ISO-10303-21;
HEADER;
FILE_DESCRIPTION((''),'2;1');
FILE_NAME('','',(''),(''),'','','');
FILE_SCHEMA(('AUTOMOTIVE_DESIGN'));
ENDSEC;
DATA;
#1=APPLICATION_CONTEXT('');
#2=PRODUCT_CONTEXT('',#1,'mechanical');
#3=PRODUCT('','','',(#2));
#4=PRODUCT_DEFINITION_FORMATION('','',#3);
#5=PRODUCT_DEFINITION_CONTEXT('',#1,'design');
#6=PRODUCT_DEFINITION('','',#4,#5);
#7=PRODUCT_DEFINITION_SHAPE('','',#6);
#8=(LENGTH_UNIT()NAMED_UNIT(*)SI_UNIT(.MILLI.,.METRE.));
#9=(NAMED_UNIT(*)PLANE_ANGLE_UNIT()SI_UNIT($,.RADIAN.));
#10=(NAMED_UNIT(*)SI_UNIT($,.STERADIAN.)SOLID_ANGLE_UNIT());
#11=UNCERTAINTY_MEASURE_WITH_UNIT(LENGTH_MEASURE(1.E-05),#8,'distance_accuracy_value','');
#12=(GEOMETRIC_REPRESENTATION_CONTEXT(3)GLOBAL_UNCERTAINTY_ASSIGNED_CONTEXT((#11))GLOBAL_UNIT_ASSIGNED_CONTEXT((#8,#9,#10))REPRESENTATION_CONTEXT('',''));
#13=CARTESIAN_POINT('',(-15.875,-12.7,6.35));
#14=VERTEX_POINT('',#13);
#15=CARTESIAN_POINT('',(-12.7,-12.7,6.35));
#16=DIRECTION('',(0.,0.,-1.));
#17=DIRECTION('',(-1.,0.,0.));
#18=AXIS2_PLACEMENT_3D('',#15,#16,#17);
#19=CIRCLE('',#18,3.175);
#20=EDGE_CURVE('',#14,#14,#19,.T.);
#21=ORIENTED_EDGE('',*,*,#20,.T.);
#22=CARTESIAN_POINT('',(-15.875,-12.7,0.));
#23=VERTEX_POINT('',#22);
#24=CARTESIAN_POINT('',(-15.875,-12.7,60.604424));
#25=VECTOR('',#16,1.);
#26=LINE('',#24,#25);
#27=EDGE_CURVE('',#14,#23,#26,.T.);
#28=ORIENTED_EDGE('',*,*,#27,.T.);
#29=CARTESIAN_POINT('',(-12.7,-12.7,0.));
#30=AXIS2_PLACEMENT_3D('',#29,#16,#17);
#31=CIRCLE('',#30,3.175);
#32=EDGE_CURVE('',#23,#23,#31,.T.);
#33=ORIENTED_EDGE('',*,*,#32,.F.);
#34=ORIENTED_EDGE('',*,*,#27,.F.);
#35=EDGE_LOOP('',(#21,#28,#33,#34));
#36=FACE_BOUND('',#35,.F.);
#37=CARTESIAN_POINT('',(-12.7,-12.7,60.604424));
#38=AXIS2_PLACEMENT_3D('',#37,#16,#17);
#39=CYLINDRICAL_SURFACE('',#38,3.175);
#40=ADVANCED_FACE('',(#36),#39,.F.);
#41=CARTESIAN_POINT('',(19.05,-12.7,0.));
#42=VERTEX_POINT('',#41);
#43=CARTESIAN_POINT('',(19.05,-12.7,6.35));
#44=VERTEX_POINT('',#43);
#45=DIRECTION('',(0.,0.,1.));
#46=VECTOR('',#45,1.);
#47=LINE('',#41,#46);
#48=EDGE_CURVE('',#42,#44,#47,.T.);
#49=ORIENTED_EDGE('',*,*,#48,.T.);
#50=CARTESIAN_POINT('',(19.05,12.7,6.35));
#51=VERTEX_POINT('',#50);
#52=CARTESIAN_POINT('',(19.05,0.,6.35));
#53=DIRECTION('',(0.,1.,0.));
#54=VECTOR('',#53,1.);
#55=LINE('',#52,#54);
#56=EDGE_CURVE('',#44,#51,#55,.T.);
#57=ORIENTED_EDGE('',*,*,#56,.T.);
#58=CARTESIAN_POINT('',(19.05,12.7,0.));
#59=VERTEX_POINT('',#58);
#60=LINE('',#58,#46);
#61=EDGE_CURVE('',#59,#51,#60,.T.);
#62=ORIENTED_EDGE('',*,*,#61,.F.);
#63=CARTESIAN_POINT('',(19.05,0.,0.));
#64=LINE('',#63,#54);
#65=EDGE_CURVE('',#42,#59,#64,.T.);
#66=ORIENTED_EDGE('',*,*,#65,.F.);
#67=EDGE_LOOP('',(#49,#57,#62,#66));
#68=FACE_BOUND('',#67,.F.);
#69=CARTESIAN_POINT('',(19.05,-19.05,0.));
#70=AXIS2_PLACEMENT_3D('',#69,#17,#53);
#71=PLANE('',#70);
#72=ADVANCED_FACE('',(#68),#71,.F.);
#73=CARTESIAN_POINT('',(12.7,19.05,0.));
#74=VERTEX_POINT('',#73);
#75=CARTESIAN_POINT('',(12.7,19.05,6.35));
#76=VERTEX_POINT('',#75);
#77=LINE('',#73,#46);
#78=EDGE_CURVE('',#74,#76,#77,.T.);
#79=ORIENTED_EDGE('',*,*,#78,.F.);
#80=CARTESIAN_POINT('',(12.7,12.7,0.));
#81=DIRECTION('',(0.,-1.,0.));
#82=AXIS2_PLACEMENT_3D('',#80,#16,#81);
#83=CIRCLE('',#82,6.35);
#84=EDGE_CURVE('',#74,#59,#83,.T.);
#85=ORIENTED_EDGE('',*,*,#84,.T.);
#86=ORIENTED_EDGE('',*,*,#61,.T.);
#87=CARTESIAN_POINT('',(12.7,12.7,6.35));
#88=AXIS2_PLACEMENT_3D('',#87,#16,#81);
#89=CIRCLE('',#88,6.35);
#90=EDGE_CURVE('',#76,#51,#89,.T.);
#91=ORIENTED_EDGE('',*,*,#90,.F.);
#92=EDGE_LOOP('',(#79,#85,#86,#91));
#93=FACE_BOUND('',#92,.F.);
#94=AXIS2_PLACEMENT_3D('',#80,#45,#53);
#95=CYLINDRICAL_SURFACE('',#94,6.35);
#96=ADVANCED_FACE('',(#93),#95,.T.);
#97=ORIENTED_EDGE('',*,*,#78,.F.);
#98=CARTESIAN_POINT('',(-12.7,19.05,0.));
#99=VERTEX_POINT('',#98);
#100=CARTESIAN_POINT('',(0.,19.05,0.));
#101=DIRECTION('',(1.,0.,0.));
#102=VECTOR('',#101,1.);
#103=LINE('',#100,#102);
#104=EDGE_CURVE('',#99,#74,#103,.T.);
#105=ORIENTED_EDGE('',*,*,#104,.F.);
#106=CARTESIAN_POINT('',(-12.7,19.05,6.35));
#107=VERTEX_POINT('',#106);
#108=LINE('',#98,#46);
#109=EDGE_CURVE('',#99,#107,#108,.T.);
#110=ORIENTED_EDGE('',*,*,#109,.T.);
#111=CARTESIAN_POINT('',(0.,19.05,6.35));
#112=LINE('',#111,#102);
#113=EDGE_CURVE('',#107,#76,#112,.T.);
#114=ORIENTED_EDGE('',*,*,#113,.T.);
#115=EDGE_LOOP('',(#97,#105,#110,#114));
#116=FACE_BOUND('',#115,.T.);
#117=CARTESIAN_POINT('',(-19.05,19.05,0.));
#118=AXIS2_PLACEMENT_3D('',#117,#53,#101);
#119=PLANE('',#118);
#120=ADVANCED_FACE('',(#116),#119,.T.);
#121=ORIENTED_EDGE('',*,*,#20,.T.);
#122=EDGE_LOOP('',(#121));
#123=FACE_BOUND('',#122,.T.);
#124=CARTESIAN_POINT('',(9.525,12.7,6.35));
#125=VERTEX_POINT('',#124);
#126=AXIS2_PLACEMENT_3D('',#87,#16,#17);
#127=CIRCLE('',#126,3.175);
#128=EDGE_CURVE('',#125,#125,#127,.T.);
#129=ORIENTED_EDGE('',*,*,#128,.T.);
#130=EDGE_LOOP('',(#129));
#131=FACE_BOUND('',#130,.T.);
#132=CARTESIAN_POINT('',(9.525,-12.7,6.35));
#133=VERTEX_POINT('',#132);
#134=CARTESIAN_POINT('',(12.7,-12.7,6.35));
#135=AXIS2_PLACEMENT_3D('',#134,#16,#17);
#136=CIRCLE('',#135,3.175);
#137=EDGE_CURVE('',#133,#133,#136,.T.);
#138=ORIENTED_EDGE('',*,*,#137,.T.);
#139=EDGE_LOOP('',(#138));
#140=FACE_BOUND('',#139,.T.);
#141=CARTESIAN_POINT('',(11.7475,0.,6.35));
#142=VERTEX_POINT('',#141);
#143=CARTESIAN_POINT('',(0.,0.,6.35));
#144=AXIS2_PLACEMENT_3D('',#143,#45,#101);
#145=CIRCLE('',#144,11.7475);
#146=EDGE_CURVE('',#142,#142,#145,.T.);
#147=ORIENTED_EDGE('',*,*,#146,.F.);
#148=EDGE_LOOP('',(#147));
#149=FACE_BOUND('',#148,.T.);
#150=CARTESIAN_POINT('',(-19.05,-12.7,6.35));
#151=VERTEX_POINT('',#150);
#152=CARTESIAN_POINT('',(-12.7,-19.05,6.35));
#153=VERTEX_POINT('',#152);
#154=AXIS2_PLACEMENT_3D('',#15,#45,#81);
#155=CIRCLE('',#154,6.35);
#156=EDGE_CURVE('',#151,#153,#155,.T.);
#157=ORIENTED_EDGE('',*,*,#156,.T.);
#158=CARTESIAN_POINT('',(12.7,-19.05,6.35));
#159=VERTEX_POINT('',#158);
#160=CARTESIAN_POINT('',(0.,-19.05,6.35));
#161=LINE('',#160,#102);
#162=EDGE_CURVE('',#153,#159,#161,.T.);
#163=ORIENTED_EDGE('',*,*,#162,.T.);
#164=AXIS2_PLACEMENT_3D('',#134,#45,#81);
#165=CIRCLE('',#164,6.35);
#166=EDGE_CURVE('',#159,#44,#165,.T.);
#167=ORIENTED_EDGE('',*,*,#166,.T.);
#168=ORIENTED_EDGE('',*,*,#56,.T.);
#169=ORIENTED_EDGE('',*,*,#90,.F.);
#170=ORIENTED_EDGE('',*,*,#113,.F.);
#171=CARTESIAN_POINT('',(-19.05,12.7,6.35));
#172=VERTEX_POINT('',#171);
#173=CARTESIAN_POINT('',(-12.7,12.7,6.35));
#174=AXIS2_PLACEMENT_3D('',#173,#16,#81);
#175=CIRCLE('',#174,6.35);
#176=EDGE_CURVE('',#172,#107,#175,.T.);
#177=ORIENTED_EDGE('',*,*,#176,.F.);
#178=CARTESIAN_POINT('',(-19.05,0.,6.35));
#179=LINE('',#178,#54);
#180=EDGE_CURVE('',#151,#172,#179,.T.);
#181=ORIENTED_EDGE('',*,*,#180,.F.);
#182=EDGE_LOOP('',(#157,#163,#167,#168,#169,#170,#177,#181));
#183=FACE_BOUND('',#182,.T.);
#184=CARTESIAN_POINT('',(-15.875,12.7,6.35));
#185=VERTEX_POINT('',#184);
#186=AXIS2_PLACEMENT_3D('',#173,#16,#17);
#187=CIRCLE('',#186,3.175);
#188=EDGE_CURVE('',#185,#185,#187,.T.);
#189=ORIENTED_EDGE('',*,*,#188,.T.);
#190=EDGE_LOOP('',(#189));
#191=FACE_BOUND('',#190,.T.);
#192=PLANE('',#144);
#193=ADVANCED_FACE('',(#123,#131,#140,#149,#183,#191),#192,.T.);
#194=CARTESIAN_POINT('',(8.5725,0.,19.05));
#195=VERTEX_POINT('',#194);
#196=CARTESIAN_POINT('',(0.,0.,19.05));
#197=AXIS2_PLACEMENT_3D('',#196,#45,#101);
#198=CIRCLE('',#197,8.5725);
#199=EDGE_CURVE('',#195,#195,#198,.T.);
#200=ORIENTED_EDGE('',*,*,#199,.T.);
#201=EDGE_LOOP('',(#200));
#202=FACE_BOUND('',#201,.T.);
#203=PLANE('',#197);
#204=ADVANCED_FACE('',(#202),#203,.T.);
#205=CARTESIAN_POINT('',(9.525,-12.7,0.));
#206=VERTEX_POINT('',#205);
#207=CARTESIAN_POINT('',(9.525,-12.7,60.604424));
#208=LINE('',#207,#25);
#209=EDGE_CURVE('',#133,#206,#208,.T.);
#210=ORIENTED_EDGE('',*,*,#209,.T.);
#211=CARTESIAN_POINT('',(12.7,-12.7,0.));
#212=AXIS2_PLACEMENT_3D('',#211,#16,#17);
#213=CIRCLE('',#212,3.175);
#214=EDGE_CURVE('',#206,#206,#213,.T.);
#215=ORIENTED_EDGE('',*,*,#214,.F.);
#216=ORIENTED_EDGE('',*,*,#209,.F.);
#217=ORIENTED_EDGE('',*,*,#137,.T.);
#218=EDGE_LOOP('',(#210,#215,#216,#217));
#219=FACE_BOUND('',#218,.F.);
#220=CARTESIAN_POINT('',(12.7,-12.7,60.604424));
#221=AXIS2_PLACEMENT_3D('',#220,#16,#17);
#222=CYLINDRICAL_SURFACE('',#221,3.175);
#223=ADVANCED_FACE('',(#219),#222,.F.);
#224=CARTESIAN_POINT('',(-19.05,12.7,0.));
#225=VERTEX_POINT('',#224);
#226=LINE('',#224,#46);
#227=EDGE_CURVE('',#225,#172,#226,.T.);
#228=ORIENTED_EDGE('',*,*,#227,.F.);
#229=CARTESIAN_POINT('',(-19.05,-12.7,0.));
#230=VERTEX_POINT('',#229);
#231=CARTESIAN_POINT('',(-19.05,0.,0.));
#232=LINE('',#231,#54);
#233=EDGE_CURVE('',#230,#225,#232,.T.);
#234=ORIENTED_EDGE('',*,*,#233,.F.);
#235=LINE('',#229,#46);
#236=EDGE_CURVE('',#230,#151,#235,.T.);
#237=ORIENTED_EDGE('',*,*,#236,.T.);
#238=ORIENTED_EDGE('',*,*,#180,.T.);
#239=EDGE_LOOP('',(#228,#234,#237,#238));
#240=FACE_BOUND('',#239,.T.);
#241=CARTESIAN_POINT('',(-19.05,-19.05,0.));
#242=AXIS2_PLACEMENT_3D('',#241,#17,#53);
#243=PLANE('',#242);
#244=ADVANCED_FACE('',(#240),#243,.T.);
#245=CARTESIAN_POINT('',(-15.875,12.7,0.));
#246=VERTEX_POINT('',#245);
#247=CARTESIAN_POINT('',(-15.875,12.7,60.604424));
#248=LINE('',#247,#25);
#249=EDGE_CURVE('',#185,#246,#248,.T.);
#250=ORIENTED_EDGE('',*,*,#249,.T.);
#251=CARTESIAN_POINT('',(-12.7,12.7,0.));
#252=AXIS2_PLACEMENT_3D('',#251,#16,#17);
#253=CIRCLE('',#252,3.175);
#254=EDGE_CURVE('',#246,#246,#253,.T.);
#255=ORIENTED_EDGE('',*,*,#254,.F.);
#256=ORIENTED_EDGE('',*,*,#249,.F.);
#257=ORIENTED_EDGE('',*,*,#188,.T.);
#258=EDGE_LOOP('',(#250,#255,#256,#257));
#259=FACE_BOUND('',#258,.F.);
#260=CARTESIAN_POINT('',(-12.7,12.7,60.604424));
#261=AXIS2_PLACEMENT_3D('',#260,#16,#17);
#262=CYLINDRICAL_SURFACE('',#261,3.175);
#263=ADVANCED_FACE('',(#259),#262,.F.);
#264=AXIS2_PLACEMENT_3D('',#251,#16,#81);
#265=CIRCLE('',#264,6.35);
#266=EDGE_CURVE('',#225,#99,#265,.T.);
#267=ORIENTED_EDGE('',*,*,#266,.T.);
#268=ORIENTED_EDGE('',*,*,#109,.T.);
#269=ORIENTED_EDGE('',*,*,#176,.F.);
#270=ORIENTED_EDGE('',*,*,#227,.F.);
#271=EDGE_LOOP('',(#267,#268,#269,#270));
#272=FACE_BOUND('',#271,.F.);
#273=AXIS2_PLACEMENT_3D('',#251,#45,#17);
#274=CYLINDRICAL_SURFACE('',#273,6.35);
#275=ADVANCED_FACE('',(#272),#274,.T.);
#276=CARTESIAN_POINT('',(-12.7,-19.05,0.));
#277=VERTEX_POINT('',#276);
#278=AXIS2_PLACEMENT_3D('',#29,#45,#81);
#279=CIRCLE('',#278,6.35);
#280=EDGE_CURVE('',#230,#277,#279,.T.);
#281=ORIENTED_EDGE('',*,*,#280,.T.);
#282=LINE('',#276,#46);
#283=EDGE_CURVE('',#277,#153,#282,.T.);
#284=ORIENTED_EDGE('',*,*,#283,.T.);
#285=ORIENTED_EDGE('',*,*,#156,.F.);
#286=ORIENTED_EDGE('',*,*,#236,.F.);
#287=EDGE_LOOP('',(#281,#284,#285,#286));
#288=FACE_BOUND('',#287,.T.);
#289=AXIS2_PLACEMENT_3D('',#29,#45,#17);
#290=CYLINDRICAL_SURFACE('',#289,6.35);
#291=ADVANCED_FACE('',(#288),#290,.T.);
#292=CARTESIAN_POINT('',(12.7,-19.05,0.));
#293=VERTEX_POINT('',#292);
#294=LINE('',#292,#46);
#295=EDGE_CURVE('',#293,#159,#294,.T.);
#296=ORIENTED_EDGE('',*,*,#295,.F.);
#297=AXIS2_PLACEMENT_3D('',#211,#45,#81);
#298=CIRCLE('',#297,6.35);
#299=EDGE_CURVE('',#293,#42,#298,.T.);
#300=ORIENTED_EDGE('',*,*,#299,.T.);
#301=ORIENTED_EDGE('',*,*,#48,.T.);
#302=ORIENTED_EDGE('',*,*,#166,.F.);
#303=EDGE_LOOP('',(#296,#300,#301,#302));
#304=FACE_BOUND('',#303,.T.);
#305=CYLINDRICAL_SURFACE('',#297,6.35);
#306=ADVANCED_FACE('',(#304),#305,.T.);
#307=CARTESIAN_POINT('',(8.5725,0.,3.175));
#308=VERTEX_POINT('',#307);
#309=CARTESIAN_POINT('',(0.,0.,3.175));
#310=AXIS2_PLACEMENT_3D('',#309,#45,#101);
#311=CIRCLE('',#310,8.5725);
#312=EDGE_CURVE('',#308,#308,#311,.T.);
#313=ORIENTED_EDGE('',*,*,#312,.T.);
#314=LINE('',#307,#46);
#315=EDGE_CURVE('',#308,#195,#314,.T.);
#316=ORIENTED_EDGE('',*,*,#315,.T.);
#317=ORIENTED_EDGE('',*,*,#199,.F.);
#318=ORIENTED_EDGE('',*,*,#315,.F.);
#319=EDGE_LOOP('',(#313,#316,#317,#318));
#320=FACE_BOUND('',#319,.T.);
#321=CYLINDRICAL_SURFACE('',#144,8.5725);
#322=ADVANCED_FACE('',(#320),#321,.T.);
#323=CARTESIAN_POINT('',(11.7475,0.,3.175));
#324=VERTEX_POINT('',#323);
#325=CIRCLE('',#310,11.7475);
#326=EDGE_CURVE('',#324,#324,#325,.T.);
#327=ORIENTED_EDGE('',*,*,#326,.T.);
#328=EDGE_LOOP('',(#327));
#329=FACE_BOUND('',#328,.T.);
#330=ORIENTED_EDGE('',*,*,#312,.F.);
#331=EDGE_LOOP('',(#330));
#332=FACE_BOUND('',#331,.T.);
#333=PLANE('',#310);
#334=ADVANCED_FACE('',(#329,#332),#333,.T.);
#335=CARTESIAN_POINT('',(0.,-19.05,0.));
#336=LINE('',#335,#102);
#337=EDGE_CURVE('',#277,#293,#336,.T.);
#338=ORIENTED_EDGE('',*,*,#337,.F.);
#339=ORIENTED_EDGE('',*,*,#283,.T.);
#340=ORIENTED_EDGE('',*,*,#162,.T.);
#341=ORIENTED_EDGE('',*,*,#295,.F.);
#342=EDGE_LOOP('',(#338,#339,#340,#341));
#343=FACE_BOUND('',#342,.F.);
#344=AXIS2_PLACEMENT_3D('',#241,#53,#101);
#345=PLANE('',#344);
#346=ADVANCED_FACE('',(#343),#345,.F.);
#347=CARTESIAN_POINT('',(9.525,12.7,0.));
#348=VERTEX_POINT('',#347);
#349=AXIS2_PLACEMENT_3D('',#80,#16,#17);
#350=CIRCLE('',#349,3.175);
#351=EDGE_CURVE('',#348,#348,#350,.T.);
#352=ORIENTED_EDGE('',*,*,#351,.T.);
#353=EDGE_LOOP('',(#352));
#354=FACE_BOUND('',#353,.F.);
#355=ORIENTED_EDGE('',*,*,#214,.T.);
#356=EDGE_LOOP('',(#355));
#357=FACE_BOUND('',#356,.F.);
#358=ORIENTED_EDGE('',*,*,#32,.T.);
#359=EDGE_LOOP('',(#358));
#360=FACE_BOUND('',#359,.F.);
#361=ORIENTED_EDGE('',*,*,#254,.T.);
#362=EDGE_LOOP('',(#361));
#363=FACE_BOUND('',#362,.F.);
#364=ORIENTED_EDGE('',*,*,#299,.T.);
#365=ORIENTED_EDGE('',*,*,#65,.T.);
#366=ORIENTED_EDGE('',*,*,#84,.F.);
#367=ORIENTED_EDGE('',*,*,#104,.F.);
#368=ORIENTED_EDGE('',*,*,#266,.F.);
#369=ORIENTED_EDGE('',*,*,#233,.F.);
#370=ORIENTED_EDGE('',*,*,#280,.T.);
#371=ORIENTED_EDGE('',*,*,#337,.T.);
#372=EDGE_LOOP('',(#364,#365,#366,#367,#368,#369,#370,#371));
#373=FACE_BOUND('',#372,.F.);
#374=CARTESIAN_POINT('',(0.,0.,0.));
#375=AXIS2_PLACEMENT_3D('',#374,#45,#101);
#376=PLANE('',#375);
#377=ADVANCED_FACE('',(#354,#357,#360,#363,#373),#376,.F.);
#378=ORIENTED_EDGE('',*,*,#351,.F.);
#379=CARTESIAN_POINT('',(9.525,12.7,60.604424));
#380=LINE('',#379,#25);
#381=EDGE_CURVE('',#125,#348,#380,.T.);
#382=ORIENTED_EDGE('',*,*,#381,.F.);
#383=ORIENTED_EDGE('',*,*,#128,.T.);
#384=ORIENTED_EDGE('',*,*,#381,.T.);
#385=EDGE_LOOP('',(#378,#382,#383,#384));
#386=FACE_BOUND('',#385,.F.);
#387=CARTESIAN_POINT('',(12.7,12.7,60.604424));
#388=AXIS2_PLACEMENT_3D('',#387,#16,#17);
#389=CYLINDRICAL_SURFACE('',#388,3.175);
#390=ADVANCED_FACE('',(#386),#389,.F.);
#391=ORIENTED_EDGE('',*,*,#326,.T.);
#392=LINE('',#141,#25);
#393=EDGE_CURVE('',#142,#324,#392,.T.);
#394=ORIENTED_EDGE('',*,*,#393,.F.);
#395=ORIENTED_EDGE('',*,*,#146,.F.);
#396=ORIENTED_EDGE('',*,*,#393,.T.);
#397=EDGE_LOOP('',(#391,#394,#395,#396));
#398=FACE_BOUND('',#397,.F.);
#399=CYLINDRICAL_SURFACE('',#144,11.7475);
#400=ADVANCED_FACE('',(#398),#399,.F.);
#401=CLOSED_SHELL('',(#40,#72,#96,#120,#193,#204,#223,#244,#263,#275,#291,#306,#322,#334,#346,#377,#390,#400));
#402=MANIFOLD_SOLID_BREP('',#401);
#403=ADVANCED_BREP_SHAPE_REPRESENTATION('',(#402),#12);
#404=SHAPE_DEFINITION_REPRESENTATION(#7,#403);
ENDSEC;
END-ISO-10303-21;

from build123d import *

# Parameters (mm, degrees)
F0_W     = 38.1
F0_H     = 38.1
F1_DEPTH = 6.35
F3_D     = 6.35
F4_R     = 6.35
F5_R     = 8.5725
F6_DEPTH = 12.7
F7_R     = 11.7475
F7_R_2   = 8.5725
F8_DEPTH = 3.175


with BuildPart() as f1:
    # F0 (on Top) → F1 (new body)
    with BuildSketch(Plane.XY):
        Rectangle(F0_W, F0_H)
    extrude(amount=F1_DEPTH)

    # F3 (through all)
    with Locations(Plane.XY.offset(6.35)):
        with Locations((-12.7, 12.7), (-12.7, -12.7), (12.7, -12.7), (12.7, 12.7)):
            Hole(F3_D / 2)

    # F4
    f4_edges = [f1.edges().sort_by_distance(p)[0] for p in [
        (-19.05, -19.05, 3.175),
        (19.05, -19.05, 3.175),
        (19.05, 19.05, 3.175),
        (-19.05, 19.05, 3.175),
    ]]
    fillet(f4_edges, radius=F4_R)

    # F5 (on face) → F6 (join)
    with BuildSketch(Plane.XY.offset(6.35)):
        Circle(F5_R)
    extrude(amount=F6_DEPTH)

    # F7 (on face) → F8 (cut)
    with BuildSketch(Plane.XY.offset(6.35)):
        Circle(F7_R)
        Circle(F7_R_2, mode=Mode.SUBTRACT)
    extrude(amount=-F8_DEPTH, mode=Mode.SUBTRACT)


solid = f1.part
